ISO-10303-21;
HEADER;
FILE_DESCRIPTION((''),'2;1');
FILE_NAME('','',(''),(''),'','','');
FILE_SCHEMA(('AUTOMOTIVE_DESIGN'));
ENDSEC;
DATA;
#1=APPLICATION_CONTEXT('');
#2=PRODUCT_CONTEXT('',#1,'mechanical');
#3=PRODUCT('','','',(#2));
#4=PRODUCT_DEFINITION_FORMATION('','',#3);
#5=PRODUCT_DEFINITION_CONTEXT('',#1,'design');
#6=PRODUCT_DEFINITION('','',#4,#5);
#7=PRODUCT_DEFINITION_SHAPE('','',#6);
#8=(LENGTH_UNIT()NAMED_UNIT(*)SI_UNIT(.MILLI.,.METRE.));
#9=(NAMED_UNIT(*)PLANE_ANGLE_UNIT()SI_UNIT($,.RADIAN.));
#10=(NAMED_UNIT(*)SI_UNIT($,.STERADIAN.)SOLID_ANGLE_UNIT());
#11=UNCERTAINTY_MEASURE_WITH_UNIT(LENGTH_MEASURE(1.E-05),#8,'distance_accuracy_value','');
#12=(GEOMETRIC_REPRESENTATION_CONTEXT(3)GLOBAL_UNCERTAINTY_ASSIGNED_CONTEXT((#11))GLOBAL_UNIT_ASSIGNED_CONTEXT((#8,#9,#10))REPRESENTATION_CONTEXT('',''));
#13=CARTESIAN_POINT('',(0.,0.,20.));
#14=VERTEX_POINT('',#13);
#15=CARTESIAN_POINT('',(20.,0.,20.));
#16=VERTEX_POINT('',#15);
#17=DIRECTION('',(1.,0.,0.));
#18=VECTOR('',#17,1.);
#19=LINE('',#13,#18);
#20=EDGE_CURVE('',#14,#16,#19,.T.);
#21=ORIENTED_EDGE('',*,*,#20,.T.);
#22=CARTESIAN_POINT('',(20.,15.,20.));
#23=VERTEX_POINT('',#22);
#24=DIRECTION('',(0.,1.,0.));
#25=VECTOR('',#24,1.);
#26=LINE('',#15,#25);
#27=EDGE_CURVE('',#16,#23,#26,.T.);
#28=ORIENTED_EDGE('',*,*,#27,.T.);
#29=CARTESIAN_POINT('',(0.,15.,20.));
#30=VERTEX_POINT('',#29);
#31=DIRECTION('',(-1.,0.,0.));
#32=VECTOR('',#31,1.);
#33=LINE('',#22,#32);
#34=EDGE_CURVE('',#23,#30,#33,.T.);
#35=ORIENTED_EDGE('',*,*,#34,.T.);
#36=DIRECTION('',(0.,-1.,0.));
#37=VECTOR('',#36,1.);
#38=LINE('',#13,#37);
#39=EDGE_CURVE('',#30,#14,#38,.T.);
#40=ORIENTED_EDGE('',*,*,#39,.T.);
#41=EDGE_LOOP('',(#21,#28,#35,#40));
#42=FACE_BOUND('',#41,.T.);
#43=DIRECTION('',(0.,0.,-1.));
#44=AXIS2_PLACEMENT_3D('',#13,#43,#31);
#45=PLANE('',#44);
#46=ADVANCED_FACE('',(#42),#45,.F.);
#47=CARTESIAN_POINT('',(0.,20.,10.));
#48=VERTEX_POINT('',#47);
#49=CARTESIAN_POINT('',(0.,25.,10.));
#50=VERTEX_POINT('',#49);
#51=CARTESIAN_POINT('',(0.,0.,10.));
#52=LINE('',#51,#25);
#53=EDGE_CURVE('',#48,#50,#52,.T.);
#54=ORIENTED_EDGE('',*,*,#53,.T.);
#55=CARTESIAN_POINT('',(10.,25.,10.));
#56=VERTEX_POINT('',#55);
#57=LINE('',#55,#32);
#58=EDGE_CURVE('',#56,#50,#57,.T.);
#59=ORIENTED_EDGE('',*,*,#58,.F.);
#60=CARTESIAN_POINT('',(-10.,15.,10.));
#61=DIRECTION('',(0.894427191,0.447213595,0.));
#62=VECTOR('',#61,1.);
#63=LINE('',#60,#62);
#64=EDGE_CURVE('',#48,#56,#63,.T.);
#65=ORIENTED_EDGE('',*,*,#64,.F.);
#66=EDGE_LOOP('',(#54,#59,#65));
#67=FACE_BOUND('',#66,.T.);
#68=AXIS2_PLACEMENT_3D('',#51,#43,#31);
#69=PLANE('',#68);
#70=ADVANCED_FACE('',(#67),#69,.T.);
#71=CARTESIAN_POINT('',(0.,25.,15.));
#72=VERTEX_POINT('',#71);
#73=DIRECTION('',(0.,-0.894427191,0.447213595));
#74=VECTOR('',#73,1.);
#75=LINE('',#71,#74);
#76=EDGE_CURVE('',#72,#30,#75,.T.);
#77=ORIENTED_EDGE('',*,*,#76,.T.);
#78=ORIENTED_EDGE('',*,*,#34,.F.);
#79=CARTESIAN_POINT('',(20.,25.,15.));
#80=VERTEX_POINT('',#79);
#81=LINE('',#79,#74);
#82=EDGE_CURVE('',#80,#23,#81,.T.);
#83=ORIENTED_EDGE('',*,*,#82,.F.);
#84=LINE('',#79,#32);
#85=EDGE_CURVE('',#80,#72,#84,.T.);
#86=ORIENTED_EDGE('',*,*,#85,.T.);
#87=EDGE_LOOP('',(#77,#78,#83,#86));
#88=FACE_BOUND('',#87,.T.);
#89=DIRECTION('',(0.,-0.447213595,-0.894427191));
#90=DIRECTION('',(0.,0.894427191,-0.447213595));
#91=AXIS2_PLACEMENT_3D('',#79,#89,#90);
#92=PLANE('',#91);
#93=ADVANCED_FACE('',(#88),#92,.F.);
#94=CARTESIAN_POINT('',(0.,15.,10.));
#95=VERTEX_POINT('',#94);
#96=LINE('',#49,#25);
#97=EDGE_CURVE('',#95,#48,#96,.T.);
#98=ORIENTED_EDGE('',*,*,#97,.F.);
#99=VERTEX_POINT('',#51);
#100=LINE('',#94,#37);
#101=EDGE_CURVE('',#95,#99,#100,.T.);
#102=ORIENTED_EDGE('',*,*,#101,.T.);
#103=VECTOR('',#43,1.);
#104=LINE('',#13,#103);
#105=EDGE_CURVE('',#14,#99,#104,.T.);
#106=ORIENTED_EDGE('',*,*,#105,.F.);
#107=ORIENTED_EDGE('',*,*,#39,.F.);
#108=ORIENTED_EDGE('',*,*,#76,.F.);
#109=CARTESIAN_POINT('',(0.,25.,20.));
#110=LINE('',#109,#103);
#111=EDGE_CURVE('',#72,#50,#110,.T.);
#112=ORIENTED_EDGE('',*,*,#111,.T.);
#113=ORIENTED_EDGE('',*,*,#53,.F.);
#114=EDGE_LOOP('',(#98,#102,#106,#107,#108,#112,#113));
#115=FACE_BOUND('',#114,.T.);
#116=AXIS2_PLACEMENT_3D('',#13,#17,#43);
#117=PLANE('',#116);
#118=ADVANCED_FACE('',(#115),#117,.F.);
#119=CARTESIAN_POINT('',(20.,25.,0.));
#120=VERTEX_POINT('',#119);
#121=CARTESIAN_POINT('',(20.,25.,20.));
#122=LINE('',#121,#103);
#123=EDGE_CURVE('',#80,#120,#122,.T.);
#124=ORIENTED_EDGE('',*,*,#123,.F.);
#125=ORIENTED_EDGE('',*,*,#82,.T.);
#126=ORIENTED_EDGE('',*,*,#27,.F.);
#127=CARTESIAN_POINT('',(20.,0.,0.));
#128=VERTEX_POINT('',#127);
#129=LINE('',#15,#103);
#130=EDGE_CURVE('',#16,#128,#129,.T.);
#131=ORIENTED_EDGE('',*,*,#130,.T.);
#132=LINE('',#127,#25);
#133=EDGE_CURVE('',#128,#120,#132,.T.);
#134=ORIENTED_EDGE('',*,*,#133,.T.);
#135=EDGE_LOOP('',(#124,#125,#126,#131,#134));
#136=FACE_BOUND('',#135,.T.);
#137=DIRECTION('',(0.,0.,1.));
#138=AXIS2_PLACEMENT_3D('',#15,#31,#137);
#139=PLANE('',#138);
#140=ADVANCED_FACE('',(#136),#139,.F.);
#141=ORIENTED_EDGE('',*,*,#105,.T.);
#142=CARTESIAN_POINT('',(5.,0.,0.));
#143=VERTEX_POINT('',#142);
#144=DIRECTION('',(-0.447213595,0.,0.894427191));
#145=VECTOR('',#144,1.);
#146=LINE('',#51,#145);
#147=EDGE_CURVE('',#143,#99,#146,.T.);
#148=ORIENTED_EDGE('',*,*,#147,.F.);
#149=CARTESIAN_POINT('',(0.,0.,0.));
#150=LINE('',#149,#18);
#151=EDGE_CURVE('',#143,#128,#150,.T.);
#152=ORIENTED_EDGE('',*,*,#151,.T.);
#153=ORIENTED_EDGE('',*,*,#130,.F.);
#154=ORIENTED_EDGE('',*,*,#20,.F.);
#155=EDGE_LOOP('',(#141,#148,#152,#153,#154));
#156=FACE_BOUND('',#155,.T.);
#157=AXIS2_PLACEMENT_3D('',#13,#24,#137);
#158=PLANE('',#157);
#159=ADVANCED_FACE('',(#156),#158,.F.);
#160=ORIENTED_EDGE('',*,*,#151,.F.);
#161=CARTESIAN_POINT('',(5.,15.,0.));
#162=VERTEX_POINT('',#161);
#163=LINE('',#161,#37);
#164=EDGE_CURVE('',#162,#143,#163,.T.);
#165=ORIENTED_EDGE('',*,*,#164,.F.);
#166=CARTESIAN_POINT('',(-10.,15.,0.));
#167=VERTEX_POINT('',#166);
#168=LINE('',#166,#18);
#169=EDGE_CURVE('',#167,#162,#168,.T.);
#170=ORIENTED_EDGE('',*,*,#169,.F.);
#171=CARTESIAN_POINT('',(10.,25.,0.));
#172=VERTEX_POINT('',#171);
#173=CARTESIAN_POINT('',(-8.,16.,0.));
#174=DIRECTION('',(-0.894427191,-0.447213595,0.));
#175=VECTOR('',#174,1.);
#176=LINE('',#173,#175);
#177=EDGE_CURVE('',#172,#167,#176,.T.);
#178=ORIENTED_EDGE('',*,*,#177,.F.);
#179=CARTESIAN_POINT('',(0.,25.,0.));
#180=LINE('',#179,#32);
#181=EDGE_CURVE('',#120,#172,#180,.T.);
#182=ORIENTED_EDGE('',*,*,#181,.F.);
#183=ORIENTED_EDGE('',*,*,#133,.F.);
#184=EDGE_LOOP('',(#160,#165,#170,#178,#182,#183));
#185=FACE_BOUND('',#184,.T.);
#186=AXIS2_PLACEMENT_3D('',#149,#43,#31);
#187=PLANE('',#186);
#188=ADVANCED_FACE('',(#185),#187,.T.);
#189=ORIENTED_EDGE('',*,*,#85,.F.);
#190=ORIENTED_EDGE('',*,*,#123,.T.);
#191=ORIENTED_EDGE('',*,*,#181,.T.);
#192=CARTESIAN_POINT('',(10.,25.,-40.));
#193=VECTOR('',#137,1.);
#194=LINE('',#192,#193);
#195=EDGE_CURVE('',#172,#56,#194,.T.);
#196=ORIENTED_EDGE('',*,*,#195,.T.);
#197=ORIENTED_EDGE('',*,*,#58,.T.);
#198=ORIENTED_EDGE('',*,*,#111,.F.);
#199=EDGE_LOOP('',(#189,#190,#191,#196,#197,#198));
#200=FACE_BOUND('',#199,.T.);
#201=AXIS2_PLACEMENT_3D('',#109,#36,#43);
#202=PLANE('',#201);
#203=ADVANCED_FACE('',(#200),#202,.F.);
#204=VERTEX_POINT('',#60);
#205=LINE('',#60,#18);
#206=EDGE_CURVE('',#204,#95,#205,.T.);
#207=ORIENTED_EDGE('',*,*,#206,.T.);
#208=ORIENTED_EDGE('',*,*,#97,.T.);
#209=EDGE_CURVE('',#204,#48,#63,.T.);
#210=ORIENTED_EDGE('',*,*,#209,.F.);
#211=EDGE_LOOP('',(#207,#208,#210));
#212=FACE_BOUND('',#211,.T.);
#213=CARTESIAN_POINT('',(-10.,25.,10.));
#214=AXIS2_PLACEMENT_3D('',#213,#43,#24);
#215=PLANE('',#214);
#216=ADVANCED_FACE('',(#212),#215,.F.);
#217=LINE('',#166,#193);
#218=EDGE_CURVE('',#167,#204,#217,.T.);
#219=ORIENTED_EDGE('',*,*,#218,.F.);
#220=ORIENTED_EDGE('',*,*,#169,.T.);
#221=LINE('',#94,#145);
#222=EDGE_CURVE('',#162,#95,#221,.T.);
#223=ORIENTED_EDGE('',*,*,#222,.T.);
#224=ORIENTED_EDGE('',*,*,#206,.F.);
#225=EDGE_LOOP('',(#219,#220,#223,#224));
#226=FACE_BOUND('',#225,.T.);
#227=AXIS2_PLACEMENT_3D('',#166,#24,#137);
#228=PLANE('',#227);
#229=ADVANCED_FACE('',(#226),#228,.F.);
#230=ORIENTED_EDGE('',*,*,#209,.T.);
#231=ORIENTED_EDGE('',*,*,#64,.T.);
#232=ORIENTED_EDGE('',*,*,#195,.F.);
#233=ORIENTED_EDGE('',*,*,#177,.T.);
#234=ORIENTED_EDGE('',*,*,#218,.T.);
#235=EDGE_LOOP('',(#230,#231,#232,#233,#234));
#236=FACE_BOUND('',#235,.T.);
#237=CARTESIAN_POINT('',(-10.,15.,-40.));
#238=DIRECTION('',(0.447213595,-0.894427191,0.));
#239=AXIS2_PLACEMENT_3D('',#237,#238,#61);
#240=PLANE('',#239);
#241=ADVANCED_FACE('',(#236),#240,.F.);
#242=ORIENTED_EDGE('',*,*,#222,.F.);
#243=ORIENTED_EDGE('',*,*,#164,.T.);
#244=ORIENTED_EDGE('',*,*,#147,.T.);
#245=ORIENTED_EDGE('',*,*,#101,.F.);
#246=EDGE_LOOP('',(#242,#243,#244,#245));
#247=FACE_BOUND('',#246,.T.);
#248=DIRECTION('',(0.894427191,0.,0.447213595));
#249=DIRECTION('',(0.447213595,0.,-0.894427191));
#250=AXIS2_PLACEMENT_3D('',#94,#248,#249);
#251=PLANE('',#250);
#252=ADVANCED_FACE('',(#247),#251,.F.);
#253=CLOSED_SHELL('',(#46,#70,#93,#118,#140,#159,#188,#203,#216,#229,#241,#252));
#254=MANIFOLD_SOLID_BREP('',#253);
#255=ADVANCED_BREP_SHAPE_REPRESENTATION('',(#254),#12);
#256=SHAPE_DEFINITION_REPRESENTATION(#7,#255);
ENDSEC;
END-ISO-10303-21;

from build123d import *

# Parameters (mm, degrees)
SKETCH1_W           = 20
SKETCH1_H           = 25
BOSS_EXTRUDE1_DEPTH = 20
CUT_EXTRUDE1_DEPTH  = 20
SKETCH4_W           = 10
SKETCH4_H           = 10
BOSS_EXTRUDE2_DEPTH = 10
CUT_EXTRUDE2_DEPTH  = 50
CUT_EXTRUDE3_DEPTH  = 15


with BuildPart() as part:
    # Sketch1 → Boss-Extrude1 (new body)
    with BuildSketch(Plane.XY):
        with Locations((10, 12.5)):
            Rectangle(SKETCH1_W, SKETCH1_H)
    extrude(amount=BOSS_EXTRUDE1_DEPTH)

    # Sketch3 → Cut-Extrude1 (cut)
    with BuildSketch(Plane.ZY):
        Polygon((15, 25), (20, 15), (20, 25), align=None)
    extrude(amount=-CUT_EXTRUDE1_DEPTH, mode=Mode.SUBTRACT)

    # Sketch4 → Boss-Extrude2 (add)
    with BuildSketch(Plane.ZY):
        with Locations((5, 20)):
            Rectangle(SKETCH4_W, SKETCH4_H)
    extrude(amount=BOSS_EXTRUDE2_DEPTH)

    # Sketch5 → Cut-Extrude2 (cut)
    with BuildSketch(Plane.XY.offset(10)):
        Polygon((-10, 15), (10, 25), (-10, 25), align=None)
    extrude(amount=-CUT_EXTRUDE2_DEPTH, mode=Mode.SUBTRACT)

    # Sketch6 → Cut-Extrude3 (cut)
    with BuildSketch(Plane.XZ):
        Polygon((0, 10), (5, 0), (0, 0), align=None)
    extrude(amount=-CUT_EXTRUDE3_DEPTH, mode=Mode.SUBTRACT)


solid = part.part
